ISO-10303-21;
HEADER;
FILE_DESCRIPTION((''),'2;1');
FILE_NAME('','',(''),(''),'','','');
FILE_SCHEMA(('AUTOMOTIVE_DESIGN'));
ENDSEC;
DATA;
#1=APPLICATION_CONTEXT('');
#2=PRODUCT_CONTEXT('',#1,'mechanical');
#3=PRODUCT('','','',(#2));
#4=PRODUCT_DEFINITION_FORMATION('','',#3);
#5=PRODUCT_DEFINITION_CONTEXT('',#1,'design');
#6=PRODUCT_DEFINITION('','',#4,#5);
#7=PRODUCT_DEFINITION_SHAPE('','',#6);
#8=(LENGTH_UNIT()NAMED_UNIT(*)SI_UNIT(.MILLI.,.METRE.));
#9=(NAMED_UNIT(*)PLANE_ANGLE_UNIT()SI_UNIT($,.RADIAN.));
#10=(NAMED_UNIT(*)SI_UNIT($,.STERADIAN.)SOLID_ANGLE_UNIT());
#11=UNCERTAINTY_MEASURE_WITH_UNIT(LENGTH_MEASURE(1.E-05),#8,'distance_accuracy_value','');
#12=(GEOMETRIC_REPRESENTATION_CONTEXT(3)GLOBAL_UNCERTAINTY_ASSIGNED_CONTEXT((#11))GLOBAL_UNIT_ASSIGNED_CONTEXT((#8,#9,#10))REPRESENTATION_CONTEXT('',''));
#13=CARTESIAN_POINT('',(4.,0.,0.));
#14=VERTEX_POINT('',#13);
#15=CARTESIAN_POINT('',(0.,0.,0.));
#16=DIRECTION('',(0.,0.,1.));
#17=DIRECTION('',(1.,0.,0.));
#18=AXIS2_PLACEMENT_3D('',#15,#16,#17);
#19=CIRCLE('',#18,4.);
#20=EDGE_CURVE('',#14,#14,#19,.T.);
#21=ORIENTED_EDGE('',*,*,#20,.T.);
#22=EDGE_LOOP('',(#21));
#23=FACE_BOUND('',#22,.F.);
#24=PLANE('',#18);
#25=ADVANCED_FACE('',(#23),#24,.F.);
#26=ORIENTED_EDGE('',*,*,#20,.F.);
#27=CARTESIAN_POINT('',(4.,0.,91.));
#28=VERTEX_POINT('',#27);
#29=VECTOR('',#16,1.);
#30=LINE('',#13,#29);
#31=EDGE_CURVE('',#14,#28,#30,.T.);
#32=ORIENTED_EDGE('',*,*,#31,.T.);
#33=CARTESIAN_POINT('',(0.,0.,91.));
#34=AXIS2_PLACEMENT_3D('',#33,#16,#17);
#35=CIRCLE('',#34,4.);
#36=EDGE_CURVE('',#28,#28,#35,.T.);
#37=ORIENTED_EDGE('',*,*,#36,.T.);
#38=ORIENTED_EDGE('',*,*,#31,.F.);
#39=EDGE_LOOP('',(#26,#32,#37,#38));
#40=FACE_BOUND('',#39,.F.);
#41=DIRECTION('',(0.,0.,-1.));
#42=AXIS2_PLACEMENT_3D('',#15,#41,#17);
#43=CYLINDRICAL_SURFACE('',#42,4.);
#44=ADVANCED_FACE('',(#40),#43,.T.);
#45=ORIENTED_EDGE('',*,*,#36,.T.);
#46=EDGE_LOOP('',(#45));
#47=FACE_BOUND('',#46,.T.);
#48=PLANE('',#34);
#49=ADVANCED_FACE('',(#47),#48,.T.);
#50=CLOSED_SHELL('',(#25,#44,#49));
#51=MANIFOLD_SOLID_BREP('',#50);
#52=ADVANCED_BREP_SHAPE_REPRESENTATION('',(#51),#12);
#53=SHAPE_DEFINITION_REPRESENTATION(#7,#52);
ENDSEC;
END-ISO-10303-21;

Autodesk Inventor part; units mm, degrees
ref_plane "YZ Plane" through (0, 0, 0) normal (1, 0, 0) x (0, 1, 0)
ref_plane "XZ Plane" through (0, 0, 0) normal (0, 1, 0) x (-1, 0, 0)
ref_plane "XY Plane" through (0, 0, 0) normal (0, 0, 1) x (1, 0, 0)
sketch "Sketch1" plane through (0, 0, 0) normal (0, 0, 1) x (1, 0, 0)
  circle A0 centre (0, 0) radius 4
  dimension "d0" = 8
extrude "Extrusion1" add sketch "Sketch1" along normal blind 91
properties part number "oś 8mm x 91mm"
